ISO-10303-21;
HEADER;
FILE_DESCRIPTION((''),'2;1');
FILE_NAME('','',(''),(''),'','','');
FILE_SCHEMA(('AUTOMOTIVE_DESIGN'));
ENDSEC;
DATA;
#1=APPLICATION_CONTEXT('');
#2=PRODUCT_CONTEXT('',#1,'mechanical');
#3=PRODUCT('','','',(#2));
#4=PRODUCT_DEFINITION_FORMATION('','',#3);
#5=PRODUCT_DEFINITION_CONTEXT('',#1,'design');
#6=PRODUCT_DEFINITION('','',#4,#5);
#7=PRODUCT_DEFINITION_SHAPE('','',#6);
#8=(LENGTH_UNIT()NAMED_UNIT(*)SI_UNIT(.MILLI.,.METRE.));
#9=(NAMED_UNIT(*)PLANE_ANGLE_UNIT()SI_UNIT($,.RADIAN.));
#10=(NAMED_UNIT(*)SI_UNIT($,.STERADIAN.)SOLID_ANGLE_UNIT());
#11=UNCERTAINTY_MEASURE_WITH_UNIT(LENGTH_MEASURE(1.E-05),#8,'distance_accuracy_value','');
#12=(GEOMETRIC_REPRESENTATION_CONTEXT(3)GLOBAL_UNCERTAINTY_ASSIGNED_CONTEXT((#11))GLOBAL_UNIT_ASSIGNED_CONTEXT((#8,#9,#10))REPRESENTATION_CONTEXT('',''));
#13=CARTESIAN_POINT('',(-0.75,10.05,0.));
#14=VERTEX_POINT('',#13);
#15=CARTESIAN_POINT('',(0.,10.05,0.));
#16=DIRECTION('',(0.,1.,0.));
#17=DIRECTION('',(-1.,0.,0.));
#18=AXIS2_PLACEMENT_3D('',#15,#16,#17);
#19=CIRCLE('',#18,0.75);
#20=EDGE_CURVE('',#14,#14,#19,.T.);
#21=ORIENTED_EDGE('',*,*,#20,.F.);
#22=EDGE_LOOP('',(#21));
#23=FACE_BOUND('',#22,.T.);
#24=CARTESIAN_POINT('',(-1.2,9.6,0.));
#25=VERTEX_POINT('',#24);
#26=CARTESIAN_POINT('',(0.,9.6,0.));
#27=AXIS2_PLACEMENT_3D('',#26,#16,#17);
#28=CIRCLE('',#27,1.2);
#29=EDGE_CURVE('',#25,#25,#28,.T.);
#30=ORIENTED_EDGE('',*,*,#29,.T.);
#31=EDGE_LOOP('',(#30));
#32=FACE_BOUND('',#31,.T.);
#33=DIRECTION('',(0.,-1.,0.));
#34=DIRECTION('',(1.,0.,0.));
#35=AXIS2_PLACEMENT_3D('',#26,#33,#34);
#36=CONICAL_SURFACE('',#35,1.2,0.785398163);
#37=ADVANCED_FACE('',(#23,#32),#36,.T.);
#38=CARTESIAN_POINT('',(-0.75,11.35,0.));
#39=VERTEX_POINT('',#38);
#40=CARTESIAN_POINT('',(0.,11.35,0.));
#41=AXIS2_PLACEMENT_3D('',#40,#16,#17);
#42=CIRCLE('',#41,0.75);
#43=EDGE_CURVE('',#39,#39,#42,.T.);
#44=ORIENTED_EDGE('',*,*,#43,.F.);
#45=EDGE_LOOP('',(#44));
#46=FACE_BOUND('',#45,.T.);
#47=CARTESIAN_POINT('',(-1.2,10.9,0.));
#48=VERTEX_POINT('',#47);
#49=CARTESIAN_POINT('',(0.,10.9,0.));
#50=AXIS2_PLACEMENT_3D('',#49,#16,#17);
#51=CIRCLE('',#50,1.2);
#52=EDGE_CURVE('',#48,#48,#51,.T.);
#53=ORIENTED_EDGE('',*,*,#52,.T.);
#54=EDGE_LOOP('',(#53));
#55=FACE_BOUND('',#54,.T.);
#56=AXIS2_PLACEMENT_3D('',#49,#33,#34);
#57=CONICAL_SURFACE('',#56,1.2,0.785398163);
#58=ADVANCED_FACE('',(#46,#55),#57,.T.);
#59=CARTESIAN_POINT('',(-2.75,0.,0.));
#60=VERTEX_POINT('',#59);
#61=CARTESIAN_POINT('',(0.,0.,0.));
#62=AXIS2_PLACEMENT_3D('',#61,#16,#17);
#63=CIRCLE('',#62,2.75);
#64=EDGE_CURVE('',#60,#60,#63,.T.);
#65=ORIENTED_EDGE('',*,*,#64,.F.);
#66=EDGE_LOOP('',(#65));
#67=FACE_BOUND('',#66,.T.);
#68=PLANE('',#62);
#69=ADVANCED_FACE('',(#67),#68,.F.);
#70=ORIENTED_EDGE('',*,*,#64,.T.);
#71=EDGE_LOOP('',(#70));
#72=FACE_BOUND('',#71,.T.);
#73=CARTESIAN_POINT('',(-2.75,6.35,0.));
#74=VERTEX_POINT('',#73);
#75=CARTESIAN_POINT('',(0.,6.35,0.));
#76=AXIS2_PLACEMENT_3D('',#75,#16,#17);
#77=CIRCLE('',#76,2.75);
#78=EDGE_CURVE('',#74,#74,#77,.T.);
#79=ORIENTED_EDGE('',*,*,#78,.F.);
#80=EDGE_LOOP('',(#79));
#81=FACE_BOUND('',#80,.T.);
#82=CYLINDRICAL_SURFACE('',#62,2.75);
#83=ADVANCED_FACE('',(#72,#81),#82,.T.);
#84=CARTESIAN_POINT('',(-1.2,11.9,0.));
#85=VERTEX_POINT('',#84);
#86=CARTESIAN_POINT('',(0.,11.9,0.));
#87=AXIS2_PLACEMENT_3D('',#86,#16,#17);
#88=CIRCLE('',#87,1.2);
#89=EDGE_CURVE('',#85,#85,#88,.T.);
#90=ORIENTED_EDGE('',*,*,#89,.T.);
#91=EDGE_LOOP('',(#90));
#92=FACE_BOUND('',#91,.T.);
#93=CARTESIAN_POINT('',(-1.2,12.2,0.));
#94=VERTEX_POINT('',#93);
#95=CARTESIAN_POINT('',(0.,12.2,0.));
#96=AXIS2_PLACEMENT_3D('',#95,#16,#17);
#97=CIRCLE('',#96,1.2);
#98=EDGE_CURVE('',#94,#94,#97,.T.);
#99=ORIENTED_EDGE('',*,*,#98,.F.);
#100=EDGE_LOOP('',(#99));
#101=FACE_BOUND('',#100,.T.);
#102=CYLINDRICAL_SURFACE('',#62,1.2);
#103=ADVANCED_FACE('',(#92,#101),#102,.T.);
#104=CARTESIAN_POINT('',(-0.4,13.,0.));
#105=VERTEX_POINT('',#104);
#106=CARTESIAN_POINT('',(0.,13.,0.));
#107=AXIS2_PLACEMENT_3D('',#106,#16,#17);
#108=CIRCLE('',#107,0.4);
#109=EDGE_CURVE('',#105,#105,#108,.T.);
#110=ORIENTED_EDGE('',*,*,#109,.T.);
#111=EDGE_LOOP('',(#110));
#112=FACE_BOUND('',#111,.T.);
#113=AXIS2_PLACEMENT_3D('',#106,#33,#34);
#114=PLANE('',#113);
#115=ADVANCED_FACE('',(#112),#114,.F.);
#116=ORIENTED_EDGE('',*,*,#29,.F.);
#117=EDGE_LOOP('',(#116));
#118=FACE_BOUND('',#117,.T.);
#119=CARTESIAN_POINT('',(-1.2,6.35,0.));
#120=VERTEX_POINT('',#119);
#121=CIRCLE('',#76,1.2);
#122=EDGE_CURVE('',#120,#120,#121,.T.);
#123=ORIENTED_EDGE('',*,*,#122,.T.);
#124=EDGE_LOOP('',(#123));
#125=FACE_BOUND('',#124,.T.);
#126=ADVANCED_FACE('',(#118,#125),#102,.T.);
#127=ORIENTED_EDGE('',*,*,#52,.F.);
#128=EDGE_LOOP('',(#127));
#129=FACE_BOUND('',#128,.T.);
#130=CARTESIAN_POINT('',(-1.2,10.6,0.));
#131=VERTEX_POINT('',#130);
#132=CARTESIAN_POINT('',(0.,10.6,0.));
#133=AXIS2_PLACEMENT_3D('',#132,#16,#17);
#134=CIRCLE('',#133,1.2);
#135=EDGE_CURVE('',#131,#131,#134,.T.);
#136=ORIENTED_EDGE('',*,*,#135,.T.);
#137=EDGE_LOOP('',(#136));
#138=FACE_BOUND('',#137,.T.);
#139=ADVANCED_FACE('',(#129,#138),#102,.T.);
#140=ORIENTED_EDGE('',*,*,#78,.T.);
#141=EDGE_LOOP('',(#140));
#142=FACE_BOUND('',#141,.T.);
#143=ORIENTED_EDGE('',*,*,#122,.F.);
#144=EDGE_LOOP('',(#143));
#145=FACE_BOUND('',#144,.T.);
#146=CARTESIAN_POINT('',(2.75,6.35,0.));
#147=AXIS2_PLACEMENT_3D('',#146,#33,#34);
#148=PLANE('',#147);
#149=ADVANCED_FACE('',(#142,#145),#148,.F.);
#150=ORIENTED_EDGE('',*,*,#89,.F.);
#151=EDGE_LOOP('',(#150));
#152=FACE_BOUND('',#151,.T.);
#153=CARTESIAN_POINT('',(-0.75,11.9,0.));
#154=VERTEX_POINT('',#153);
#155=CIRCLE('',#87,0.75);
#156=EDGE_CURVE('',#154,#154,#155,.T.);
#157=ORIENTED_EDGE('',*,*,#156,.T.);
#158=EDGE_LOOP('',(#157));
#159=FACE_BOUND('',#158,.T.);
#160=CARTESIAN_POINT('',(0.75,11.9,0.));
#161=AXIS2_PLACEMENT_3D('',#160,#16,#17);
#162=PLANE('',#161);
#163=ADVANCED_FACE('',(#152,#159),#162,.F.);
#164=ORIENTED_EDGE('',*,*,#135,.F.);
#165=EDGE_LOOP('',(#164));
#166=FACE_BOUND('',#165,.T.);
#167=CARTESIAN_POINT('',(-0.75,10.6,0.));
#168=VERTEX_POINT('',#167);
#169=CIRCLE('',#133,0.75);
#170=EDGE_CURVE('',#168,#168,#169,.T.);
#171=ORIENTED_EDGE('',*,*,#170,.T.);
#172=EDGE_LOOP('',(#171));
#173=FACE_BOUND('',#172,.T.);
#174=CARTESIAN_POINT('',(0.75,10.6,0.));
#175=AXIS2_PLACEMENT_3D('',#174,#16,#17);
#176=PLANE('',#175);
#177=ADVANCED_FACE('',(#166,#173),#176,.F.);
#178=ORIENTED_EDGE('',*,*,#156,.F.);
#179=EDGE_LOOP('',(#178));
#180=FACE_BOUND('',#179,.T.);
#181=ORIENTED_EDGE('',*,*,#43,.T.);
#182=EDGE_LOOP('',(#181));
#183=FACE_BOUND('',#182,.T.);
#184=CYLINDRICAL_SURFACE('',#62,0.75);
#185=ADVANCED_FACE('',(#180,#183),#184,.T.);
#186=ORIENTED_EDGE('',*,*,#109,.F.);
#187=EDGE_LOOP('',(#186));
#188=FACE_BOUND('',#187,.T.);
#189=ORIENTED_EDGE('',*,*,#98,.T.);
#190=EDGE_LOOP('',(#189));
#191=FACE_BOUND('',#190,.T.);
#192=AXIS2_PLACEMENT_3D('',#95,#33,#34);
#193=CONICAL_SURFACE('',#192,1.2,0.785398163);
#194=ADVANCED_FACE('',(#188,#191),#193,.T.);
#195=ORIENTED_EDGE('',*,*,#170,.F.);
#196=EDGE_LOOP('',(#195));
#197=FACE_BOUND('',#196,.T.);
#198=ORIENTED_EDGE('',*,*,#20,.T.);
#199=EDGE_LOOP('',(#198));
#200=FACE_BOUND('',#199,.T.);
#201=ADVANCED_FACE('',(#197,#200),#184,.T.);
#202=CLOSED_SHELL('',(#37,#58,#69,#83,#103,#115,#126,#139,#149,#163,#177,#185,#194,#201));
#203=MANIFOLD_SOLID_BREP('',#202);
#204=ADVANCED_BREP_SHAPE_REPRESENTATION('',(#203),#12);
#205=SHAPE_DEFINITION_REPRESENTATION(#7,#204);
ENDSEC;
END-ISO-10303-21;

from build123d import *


with BuildPart() as part:
    # Sketch1 → Revolve1 (revolve)
    with BuildSketch(Plane.XY, mode=Mode.PRIVATE) as revolve1_sk:
        Polygon((2.75, 6.35), (1.2, 6.35), (1.2, 9.6), (0.75, 10.05), (0.75, 10.6), (1.2, 10.6), (1.2, 10.9), (0.75, 11.35), (0.75, 11.9), (1.2, 11.9), (1.2, 12.2), (0.4, 13), (0, 13), (0, 0), (2.75, 0), align=None)
    revolve(revolve1_sk.sketch.rotate(Axis((0, 0, 0), (0, -1, 0)), 180), axis=Axis((0, 0, 0), (0, -1, 0)))  # turned: the seam where the file's is


solid = part.part
